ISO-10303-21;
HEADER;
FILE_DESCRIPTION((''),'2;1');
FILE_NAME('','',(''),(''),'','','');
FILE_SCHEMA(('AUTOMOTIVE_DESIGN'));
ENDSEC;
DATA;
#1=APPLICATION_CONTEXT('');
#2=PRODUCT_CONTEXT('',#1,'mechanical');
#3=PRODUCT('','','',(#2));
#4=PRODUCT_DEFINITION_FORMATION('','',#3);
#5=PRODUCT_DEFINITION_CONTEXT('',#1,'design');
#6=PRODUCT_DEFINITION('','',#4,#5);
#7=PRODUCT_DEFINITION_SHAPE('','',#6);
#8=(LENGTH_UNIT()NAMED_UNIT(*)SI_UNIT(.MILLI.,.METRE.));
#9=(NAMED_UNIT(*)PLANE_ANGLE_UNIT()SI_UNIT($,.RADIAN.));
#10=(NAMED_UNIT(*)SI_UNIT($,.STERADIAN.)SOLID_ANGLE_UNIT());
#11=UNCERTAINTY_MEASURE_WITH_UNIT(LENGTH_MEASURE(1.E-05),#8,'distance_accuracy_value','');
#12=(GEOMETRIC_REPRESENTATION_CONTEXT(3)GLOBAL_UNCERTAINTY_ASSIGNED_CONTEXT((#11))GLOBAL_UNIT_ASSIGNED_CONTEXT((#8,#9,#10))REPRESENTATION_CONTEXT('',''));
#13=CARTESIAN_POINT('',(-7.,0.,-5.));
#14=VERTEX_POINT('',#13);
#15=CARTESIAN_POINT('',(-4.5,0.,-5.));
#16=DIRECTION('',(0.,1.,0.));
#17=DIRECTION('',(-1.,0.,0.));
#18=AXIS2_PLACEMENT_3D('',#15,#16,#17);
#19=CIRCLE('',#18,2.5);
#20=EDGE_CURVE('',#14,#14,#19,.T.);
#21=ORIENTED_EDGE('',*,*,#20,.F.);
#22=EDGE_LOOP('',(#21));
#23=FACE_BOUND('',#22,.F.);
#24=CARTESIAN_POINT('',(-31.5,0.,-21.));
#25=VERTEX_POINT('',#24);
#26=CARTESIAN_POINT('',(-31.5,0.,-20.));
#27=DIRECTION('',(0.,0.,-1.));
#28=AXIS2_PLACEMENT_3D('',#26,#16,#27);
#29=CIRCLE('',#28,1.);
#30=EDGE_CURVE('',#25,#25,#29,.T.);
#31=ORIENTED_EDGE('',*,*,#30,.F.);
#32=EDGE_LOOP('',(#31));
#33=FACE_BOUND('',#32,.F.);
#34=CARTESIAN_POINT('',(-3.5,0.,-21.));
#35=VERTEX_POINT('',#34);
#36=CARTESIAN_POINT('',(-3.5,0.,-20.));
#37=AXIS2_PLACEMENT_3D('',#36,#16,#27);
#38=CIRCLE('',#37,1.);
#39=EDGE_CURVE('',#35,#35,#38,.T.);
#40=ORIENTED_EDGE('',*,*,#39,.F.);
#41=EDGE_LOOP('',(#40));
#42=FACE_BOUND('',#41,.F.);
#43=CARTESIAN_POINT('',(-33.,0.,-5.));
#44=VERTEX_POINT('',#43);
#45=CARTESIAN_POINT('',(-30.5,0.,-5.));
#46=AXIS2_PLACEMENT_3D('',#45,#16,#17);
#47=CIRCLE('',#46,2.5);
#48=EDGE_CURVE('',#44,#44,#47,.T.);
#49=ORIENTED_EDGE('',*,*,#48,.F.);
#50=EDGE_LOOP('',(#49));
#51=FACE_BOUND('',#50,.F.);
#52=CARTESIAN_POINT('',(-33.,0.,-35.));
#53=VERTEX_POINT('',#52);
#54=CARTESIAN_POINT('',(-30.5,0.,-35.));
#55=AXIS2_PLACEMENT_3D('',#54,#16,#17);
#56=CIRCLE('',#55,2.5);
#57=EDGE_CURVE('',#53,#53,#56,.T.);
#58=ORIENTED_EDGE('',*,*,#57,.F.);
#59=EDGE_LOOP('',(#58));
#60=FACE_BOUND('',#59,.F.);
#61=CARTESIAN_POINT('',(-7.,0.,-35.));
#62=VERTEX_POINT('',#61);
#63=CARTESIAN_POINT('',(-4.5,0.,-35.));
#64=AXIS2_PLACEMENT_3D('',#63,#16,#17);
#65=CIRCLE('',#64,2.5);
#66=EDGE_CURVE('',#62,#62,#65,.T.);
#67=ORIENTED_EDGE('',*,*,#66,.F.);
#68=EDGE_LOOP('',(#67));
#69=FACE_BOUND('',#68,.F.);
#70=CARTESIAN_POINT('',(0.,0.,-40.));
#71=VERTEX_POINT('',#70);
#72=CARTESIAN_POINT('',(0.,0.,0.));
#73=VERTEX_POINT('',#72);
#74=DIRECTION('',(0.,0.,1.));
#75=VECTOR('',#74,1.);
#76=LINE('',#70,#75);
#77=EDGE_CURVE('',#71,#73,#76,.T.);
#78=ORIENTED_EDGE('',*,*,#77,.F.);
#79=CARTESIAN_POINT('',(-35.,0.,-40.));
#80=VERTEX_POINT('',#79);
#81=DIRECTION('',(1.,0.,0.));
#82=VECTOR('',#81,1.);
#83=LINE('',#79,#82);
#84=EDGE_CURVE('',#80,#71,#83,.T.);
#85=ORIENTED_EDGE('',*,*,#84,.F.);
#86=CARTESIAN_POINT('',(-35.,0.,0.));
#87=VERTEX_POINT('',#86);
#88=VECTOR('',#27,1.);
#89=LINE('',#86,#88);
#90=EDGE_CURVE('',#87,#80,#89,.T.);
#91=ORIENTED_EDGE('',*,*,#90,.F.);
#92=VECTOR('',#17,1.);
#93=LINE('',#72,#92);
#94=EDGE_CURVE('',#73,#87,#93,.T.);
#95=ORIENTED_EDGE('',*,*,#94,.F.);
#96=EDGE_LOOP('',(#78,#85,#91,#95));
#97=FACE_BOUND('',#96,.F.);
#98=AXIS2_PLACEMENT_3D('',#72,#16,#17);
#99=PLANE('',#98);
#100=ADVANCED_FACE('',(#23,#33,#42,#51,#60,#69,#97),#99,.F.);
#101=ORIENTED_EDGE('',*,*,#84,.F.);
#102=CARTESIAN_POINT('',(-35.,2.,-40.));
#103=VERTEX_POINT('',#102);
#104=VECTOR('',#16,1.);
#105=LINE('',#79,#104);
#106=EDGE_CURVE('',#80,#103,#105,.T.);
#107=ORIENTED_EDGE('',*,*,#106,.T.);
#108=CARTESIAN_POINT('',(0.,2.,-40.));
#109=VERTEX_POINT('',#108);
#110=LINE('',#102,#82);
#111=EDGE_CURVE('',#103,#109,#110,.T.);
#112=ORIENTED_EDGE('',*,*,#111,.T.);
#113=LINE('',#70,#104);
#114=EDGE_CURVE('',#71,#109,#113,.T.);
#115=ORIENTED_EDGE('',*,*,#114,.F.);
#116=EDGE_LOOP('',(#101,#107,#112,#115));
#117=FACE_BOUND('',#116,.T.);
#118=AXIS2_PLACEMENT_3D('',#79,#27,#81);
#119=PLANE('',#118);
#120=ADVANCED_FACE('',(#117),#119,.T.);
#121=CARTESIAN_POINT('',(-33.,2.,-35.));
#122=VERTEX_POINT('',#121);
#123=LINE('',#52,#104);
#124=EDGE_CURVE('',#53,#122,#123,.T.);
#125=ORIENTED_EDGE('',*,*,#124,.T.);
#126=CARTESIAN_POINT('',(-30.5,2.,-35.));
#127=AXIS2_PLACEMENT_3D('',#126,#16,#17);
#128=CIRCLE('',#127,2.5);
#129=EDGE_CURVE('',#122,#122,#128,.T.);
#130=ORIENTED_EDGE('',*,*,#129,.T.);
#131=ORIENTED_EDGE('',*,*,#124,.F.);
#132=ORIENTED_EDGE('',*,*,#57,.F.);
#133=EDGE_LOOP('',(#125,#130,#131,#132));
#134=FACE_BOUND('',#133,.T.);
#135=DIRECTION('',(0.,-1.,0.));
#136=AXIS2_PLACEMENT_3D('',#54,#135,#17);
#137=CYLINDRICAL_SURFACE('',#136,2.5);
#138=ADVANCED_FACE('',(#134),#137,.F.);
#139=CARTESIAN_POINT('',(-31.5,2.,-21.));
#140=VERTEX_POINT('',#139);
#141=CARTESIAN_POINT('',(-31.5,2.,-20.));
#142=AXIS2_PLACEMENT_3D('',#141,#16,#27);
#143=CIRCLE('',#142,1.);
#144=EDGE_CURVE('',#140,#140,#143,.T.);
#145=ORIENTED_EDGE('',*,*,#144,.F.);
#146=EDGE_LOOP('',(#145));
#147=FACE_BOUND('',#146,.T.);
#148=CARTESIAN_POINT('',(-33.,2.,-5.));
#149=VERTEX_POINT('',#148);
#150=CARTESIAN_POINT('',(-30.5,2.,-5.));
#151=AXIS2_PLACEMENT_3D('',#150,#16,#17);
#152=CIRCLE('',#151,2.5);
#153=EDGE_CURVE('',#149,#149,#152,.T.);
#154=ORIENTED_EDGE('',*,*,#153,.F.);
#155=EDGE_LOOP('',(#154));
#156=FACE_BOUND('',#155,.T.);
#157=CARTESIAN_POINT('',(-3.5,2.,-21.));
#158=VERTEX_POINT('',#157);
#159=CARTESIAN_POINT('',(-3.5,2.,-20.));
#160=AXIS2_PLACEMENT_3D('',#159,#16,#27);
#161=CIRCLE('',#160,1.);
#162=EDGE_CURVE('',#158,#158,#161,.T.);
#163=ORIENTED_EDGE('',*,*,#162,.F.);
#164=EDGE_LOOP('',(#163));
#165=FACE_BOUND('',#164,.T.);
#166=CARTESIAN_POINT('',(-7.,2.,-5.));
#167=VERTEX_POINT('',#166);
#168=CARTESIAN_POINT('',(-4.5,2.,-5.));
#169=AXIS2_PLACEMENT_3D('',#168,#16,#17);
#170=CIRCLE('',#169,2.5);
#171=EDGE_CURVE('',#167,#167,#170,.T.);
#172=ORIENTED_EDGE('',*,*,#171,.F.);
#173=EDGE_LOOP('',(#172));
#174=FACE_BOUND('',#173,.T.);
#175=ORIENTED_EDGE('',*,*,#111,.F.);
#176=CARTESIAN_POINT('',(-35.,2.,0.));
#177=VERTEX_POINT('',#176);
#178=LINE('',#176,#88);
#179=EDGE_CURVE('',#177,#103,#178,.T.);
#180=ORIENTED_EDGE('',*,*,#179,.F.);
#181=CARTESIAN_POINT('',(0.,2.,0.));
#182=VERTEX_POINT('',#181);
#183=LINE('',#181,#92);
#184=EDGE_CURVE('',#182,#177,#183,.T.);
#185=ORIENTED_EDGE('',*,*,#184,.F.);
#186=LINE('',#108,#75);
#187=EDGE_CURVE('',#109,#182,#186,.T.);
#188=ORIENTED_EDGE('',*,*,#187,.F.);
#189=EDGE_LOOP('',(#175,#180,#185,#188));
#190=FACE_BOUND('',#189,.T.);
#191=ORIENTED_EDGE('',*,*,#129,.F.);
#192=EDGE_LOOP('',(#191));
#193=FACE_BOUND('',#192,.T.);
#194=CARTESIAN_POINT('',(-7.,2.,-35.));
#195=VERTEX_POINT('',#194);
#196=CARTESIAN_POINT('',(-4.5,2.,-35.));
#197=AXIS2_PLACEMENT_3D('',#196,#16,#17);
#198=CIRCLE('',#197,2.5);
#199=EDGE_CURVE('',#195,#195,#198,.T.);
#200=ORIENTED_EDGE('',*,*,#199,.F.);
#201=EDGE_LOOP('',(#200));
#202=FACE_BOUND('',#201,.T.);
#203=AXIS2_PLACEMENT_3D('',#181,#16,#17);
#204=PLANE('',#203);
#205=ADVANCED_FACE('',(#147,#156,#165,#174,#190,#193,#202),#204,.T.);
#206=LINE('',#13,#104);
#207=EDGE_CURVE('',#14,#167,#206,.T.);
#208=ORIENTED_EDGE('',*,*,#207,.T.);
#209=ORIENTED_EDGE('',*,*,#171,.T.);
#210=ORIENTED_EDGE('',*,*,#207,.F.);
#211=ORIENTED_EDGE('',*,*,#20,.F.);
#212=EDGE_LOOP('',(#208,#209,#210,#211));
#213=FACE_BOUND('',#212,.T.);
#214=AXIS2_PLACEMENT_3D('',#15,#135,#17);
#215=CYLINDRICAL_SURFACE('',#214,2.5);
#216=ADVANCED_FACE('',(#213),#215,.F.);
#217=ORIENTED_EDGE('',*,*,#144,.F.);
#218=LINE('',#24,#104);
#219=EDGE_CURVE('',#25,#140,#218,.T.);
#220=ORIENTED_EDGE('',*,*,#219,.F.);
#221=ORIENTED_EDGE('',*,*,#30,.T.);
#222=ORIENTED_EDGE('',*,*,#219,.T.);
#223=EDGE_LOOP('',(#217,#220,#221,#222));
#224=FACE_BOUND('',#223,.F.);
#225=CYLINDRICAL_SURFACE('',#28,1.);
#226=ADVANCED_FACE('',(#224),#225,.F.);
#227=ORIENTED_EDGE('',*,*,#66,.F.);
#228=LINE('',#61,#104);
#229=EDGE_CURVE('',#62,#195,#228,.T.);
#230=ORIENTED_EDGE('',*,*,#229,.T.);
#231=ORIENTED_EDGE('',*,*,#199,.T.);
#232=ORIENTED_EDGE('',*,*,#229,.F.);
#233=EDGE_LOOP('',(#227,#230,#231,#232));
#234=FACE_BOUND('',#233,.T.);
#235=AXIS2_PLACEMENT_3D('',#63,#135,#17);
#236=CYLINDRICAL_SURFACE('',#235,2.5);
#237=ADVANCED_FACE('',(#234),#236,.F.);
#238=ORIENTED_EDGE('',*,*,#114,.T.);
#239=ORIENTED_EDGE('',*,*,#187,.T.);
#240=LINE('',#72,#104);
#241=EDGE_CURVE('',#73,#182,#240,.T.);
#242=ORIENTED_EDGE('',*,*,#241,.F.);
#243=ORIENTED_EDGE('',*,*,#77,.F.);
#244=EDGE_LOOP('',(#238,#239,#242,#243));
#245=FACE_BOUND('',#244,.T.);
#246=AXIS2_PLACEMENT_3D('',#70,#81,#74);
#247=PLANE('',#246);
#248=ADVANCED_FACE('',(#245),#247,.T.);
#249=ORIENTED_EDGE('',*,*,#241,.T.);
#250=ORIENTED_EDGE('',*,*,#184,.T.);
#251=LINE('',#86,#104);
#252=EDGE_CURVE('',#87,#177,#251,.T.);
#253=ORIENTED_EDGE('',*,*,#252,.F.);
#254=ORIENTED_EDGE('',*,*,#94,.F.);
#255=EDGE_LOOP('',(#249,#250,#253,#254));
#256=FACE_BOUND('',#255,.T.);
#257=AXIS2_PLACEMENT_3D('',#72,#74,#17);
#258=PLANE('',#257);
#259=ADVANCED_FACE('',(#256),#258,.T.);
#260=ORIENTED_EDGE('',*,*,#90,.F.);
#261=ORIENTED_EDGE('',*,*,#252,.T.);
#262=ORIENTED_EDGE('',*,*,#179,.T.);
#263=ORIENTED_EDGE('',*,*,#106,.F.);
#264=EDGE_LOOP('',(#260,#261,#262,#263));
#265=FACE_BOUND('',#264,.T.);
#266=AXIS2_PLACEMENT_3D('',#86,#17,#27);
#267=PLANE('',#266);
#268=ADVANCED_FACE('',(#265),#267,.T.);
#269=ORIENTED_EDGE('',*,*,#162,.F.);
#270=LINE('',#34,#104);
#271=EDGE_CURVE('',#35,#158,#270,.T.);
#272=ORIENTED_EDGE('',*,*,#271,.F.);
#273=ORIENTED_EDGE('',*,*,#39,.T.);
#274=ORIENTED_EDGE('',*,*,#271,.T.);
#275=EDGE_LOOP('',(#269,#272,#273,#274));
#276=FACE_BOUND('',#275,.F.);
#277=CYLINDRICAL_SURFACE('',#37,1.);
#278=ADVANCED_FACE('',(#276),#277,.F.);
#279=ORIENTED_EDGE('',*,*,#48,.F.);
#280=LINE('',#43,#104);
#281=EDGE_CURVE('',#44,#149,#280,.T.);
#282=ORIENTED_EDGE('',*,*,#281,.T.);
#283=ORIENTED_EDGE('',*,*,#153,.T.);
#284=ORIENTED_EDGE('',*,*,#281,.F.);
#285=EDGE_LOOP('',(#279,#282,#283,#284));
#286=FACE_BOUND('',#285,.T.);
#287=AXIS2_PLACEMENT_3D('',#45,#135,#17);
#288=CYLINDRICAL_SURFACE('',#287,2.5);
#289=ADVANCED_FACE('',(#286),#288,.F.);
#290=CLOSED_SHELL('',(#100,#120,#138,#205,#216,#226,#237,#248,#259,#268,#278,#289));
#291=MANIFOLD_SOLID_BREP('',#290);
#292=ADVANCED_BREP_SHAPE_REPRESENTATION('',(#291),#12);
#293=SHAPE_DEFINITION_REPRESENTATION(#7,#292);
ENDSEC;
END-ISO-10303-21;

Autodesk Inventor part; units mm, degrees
ref_plane "YZ Plane" through (0, 0, 0) normal (1, 0, 0) x (0, 1, 0)
ref_plane "XZ Plane" through (0, 0, 0) normal (0, 1, 0) x (-1, 0, 0)
ref_plane "XY Plane" through (0, 0, 0) normal (0, 0, 1) x (1, 0, 0)
sketch "Sketch1" plane through (0, 0, 0) normal (0, 1, 0) x (-1, 0, 0)
  line L0 (0, 0) -> (35, 0)
  line L1 (35, 0) -> (35, -40)
  line L2 (35, -40) -> (0, -40)
  line L3 (0, -40) -> (0, 0)
  line L4 (35, -40) -> (0, 0) construction
  line L5 (35, 0) -> (0, -40) construction
  line L6 (4.5, -5) -> (30.5, -5) construction
  line L7 (30.5, -5) -> (30.5, -35) construction
  line L8 (30.5, -35) -> (4.5, -35) construction
  line L9 (4.5, -35) -> (4.5, -5) construction
  line L10 (4.5, -5) -> (30.5, -35) construction
  line L11 (30.5, -5) -> (4.5, -35) construction
  circle A0 centre (30.5, -5) radius 2.5
  circle A1 centre (30.5, -35) radius 2.5
  circle A2 centre (4.5, -35) radius 2.5
  circle A3 centre (4.5, -5) radius 2.5
  point P0 (17.5, -20)
  dimension "d0" = 35
  dimension "d1" = 40
  dimension "d2" = 26
  dimension "d3" = 30
  dimension "d4" = 5
extrude "Extrusion1" add sketch "Sketch1" along normal blind 2
sketch "Sketch2" plane through (0, 0, 0) normal (0, -1, 0) x (1, 0, 0)
  line L0 (-47.1371, -20) -> (16.7906, -20) construction
  line L1 (-30.5, -5) -> (-4.5, -35) construction
  line L2 (-4.5, -5) -> (-30.5, -35) construction
  point P0 (0, 0)
  point P1 (-17.5, -20)
  point P2 (-17.5, -20)
  point P3 (-31.5, -20)
  point P4 (-3.5, -20)
  dimension "d10" = 14
  dimension "d11" = 14
hole "Hole1" at (-31.5, 0, -20) at (-3.5, 0, -20) direction (0, 1, 0) diameter 2 end through all
properties part number "carbon_bump_servo"
